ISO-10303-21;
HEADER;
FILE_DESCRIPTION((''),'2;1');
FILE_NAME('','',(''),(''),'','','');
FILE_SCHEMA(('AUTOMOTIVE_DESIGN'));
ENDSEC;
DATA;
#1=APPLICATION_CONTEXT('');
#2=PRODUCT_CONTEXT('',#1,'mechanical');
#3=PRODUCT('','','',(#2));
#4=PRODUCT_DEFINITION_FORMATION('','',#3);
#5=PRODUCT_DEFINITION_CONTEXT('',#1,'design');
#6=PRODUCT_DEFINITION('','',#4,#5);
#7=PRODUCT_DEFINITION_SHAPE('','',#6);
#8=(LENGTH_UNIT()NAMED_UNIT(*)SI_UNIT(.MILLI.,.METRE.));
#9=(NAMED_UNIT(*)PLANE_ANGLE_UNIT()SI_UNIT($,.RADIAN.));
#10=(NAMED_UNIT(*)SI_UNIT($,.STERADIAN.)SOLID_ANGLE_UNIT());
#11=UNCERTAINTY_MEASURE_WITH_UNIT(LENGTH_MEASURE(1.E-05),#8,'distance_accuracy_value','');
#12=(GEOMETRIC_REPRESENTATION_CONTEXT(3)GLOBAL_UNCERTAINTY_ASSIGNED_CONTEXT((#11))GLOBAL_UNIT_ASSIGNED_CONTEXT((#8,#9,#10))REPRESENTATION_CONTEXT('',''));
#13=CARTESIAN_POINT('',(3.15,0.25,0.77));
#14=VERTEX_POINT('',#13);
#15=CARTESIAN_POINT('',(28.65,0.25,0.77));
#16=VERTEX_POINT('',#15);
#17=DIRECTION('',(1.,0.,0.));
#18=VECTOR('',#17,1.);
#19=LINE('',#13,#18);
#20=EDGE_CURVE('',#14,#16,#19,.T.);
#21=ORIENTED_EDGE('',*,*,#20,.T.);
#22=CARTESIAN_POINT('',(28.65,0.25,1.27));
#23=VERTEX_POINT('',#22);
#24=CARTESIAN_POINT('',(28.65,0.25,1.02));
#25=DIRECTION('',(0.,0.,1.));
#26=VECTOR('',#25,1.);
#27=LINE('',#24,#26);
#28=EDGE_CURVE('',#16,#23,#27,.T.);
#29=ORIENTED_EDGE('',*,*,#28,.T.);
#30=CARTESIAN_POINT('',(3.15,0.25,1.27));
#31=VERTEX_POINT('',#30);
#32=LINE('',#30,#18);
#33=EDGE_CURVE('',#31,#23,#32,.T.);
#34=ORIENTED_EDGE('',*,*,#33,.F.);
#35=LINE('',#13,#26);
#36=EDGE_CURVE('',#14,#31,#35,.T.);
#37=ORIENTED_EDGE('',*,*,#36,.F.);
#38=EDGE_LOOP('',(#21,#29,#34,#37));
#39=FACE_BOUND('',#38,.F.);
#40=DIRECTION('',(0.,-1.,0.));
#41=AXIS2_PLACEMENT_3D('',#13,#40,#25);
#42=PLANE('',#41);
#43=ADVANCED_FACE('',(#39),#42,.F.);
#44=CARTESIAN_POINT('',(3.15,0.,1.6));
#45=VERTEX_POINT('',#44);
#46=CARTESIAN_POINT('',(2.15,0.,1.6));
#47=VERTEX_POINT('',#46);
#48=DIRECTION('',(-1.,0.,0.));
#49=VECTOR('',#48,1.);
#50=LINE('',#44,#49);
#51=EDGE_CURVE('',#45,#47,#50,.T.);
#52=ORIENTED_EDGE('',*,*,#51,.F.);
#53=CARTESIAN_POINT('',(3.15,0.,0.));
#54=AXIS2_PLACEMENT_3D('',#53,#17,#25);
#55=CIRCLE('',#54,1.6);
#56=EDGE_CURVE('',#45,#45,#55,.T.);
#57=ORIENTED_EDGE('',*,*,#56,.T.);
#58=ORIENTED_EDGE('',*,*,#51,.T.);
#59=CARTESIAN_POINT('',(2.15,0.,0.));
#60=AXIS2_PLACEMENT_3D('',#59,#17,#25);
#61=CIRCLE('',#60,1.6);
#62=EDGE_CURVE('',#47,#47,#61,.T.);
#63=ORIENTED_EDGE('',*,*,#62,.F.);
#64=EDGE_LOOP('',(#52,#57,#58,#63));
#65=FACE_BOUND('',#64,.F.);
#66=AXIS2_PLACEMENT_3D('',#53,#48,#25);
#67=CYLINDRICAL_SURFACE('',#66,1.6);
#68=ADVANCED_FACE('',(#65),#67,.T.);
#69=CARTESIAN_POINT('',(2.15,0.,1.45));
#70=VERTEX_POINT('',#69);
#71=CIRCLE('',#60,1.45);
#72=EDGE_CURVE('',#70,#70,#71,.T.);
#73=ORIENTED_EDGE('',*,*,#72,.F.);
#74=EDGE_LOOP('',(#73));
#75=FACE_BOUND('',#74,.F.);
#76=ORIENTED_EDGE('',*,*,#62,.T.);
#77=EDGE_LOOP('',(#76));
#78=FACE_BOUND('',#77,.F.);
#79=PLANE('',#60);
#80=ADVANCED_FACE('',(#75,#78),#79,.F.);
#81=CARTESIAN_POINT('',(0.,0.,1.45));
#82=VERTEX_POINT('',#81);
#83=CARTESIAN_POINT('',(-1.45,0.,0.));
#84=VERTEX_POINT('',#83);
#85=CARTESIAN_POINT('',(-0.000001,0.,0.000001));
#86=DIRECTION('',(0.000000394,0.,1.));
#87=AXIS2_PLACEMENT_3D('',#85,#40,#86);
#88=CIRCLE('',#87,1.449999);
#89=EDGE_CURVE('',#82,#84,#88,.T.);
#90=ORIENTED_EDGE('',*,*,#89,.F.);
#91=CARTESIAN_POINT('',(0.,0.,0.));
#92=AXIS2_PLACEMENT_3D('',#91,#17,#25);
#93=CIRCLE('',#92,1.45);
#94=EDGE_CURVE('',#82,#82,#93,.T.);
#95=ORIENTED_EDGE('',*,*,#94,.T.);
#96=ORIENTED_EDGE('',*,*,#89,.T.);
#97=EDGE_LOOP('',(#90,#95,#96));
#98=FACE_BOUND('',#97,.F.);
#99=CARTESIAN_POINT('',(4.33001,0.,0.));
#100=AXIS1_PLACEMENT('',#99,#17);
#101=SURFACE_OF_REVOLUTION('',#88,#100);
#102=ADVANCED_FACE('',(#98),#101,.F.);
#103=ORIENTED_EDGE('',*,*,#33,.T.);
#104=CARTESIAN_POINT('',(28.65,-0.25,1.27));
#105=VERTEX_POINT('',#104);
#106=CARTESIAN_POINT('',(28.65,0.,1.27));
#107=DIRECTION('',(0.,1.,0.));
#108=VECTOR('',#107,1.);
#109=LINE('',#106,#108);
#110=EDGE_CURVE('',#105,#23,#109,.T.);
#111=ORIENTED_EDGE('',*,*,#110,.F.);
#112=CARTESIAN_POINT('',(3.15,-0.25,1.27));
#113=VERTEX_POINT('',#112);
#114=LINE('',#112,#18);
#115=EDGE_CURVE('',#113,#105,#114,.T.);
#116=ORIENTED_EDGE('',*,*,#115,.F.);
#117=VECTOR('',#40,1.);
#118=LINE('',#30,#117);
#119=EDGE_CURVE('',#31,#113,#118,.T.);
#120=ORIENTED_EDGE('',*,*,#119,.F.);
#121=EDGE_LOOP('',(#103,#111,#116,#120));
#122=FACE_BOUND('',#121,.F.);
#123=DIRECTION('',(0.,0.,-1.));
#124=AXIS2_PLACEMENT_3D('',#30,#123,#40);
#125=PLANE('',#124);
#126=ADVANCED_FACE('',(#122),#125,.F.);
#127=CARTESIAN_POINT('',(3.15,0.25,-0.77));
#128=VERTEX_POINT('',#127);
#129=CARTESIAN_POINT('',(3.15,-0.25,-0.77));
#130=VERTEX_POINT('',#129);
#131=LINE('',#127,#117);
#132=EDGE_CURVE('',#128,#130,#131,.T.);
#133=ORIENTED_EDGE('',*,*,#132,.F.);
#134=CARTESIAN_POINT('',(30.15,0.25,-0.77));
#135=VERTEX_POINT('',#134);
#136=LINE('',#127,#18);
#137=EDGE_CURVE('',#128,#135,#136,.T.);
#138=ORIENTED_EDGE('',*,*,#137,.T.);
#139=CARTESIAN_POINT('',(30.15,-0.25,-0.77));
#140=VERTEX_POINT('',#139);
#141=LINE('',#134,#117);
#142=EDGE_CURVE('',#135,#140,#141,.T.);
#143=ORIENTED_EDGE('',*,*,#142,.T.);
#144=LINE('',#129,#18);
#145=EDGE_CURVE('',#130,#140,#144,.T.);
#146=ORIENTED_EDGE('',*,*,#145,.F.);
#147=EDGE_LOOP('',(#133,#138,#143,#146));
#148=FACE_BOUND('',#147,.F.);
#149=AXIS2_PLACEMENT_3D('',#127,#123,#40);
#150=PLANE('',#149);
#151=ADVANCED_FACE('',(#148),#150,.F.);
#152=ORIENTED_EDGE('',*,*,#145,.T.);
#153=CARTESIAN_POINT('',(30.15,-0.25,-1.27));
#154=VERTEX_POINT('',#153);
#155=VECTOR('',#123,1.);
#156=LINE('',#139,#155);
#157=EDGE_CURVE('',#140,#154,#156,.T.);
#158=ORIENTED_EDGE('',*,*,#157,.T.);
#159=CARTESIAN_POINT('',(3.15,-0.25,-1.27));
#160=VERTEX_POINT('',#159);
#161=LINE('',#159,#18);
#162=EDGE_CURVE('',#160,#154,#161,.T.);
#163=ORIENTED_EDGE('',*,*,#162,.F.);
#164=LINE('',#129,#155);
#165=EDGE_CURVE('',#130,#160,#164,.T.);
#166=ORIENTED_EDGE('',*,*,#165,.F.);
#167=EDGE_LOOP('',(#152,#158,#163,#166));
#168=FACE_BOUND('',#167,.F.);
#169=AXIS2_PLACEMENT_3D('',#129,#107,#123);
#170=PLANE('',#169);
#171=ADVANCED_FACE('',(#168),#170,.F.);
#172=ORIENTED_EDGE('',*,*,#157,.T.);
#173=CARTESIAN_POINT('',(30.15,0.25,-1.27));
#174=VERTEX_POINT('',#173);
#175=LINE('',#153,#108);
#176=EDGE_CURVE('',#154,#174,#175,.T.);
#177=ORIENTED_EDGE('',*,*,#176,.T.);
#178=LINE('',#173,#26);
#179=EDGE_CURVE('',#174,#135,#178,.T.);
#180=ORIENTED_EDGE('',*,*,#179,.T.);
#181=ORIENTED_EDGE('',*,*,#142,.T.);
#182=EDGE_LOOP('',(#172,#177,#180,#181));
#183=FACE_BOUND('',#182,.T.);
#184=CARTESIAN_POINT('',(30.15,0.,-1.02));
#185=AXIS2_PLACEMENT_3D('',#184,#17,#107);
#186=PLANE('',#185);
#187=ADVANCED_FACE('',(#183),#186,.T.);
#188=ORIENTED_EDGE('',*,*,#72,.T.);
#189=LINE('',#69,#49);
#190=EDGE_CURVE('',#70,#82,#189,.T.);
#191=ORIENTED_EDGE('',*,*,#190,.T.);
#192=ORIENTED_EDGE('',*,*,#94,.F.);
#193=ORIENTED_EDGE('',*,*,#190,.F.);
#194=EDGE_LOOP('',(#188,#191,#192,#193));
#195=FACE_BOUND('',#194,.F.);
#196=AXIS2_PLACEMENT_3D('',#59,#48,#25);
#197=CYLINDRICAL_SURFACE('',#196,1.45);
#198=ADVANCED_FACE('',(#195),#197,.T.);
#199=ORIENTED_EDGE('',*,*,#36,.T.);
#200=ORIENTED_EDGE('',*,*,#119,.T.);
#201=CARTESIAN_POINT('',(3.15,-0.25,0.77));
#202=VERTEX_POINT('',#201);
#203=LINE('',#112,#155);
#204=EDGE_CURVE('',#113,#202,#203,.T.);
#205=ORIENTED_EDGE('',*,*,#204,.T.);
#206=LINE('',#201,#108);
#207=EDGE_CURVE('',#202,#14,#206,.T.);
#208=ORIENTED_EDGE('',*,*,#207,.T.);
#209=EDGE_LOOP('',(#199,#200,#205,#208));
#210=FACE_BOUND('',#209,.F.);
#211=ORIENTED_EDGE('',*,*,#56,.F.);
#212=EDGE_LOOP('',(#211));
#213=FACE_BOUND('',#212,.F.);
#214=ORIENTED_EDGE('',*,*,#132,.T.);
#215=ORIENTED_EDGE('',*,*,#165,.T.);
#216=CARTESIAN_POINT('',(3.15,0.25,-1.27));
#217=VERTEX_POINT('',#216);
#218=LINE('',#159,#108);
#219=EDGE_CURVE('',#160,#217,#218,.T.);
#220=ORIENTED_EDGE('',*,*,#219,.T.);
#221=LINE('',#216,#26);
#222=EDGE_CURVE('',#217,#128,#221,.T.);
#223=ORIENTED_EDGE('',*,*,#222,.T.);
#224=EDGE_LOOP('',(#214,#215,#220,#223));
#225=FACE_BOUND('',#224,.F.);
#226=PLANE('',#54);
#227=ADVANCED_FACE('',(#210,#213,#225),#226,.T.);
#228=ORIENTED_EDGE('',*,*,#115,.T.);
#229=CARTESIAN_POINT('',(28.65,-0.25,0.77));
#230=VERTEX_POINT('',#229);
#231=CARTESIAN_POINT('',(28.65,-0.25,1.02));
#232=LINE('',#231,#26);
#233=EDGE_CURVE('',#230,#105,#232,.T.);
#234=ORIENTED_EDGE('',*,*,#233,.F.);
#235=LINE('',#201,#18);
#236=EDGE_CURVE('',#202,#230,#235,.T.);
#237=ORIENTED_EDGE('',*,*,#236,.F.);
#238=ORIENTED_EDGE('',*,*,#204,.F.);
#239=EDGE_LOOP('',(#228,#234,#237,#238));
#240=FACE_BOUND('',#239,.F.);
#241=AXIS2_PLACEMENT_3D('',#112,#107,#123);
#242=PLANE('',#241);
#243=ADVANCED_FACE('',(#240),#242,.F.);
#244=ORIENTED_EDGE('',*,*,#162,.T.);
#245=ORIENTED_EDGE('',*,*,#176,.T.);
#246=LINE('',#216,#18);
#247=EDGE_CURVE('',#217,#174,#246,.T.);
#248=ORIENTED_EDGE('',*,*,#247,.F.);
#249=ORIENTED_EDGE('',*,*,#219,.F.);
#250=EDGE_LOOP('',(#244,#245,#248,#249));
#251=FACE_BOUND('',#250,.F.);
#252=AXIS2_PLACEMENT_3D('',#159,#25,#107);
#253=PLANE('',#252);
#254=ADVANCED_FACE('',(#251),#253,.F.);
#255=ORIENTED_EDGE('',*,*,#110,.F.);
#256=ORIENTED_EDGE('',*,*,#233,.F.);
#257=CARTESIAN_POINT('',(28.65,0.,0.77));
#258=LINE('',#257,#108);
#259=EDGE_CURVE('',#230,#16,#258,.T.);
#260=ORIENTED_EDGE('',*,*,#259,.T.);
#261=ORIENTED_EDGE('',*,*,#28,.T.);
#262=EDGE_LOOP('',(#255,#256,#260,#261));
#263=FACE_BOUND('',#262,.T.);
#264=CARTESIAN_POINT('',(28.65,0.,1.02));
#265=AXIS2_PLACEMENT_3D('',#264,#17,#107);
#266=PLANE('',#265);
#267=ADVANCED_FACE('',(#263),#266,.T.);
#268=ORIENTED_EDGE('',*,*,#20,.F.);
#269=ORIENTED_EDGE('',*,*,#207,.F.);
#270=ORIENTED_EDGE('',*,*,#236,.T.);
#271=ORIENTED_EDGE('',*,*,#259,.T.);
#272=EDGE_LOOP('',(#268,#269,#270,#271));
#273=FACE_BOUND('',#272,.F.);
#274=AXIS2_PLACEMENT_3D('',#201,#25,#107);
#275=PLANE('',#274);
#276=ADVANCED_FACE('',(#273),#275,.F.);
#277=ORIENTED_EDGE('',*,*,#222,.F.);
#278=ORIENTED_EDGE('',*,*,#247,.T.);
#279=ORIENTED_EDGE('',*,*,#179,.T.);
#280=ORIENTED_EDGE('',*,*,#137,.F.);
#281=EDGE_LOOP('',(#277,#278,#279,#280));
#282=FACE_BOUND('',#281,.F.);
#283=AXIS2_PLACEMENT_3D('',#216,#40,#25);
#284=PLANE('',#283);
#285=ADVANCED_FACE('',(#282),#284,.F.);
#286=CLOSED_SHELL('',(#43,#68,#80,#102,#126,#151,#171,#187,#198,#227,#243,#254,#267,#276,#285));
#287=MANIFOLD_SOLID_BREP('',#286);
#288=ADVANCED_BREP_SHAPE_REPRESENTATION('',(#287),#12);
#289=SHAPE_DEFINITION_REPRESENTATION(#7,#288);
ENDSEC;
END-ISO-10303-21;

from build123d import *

# Parameters (mm, degrees)
F3_DEPTH  = 27
F3_FACE_W = 0.5
F3_FACE_H = 0.5
F4_DEPTH  = 1.5


with BuildPart() as f1:
    # F0 (on Front) → F1 (revolve)
    with BuildSketch(Plane.XZ):
        with BuildLine():
            Line((2.15, 1.45), (0, 1.45))
            ThreePointArc((0, 1.45), (-1.025305, 1.025305), (-1.45, 0))
            Line((-1.45, 0), (3.15, 0))
            Line((3.15, 0), (3.15, 1.6))
            Line((3.15, 1.6), (2.15, 1.6))
            Line((2.15, 1.6), (2.15, 1.45))
        make_face()
    revolve(axis=Axis((4.33001, 0, 0), (1, 0, 0)))

    # F2 (on face) → F3 (join)
    with BuildSketch(Plane.YZ.offset(3.15)):
        Polygon((0.25, -0.77), (-0.25, -0.77), (-0.25, -1.27), (0, -1.27), (0.25, -1.27), align=None)
        Polygon((0.25, 1.27), (0, 1.27), (-0.25, 1.27), (-0.25, 0.77), (0.25, 0.77), align=None)
    extrude(amount=F3_DEPTH)

    # F3_face (on face) → F4 (cut)
    with BuildSketch(Plane(origin=(30.15, 0, 1.02), x_dir=(0, 1, 0), z_dir=(1, 0, 0))):
        Rectangle(F3_FACE_W, F3_FACE_H)
    extrude(amount=-F4_DEPTH, mode=Mode.SUBTRACT)


solid = f1.part
